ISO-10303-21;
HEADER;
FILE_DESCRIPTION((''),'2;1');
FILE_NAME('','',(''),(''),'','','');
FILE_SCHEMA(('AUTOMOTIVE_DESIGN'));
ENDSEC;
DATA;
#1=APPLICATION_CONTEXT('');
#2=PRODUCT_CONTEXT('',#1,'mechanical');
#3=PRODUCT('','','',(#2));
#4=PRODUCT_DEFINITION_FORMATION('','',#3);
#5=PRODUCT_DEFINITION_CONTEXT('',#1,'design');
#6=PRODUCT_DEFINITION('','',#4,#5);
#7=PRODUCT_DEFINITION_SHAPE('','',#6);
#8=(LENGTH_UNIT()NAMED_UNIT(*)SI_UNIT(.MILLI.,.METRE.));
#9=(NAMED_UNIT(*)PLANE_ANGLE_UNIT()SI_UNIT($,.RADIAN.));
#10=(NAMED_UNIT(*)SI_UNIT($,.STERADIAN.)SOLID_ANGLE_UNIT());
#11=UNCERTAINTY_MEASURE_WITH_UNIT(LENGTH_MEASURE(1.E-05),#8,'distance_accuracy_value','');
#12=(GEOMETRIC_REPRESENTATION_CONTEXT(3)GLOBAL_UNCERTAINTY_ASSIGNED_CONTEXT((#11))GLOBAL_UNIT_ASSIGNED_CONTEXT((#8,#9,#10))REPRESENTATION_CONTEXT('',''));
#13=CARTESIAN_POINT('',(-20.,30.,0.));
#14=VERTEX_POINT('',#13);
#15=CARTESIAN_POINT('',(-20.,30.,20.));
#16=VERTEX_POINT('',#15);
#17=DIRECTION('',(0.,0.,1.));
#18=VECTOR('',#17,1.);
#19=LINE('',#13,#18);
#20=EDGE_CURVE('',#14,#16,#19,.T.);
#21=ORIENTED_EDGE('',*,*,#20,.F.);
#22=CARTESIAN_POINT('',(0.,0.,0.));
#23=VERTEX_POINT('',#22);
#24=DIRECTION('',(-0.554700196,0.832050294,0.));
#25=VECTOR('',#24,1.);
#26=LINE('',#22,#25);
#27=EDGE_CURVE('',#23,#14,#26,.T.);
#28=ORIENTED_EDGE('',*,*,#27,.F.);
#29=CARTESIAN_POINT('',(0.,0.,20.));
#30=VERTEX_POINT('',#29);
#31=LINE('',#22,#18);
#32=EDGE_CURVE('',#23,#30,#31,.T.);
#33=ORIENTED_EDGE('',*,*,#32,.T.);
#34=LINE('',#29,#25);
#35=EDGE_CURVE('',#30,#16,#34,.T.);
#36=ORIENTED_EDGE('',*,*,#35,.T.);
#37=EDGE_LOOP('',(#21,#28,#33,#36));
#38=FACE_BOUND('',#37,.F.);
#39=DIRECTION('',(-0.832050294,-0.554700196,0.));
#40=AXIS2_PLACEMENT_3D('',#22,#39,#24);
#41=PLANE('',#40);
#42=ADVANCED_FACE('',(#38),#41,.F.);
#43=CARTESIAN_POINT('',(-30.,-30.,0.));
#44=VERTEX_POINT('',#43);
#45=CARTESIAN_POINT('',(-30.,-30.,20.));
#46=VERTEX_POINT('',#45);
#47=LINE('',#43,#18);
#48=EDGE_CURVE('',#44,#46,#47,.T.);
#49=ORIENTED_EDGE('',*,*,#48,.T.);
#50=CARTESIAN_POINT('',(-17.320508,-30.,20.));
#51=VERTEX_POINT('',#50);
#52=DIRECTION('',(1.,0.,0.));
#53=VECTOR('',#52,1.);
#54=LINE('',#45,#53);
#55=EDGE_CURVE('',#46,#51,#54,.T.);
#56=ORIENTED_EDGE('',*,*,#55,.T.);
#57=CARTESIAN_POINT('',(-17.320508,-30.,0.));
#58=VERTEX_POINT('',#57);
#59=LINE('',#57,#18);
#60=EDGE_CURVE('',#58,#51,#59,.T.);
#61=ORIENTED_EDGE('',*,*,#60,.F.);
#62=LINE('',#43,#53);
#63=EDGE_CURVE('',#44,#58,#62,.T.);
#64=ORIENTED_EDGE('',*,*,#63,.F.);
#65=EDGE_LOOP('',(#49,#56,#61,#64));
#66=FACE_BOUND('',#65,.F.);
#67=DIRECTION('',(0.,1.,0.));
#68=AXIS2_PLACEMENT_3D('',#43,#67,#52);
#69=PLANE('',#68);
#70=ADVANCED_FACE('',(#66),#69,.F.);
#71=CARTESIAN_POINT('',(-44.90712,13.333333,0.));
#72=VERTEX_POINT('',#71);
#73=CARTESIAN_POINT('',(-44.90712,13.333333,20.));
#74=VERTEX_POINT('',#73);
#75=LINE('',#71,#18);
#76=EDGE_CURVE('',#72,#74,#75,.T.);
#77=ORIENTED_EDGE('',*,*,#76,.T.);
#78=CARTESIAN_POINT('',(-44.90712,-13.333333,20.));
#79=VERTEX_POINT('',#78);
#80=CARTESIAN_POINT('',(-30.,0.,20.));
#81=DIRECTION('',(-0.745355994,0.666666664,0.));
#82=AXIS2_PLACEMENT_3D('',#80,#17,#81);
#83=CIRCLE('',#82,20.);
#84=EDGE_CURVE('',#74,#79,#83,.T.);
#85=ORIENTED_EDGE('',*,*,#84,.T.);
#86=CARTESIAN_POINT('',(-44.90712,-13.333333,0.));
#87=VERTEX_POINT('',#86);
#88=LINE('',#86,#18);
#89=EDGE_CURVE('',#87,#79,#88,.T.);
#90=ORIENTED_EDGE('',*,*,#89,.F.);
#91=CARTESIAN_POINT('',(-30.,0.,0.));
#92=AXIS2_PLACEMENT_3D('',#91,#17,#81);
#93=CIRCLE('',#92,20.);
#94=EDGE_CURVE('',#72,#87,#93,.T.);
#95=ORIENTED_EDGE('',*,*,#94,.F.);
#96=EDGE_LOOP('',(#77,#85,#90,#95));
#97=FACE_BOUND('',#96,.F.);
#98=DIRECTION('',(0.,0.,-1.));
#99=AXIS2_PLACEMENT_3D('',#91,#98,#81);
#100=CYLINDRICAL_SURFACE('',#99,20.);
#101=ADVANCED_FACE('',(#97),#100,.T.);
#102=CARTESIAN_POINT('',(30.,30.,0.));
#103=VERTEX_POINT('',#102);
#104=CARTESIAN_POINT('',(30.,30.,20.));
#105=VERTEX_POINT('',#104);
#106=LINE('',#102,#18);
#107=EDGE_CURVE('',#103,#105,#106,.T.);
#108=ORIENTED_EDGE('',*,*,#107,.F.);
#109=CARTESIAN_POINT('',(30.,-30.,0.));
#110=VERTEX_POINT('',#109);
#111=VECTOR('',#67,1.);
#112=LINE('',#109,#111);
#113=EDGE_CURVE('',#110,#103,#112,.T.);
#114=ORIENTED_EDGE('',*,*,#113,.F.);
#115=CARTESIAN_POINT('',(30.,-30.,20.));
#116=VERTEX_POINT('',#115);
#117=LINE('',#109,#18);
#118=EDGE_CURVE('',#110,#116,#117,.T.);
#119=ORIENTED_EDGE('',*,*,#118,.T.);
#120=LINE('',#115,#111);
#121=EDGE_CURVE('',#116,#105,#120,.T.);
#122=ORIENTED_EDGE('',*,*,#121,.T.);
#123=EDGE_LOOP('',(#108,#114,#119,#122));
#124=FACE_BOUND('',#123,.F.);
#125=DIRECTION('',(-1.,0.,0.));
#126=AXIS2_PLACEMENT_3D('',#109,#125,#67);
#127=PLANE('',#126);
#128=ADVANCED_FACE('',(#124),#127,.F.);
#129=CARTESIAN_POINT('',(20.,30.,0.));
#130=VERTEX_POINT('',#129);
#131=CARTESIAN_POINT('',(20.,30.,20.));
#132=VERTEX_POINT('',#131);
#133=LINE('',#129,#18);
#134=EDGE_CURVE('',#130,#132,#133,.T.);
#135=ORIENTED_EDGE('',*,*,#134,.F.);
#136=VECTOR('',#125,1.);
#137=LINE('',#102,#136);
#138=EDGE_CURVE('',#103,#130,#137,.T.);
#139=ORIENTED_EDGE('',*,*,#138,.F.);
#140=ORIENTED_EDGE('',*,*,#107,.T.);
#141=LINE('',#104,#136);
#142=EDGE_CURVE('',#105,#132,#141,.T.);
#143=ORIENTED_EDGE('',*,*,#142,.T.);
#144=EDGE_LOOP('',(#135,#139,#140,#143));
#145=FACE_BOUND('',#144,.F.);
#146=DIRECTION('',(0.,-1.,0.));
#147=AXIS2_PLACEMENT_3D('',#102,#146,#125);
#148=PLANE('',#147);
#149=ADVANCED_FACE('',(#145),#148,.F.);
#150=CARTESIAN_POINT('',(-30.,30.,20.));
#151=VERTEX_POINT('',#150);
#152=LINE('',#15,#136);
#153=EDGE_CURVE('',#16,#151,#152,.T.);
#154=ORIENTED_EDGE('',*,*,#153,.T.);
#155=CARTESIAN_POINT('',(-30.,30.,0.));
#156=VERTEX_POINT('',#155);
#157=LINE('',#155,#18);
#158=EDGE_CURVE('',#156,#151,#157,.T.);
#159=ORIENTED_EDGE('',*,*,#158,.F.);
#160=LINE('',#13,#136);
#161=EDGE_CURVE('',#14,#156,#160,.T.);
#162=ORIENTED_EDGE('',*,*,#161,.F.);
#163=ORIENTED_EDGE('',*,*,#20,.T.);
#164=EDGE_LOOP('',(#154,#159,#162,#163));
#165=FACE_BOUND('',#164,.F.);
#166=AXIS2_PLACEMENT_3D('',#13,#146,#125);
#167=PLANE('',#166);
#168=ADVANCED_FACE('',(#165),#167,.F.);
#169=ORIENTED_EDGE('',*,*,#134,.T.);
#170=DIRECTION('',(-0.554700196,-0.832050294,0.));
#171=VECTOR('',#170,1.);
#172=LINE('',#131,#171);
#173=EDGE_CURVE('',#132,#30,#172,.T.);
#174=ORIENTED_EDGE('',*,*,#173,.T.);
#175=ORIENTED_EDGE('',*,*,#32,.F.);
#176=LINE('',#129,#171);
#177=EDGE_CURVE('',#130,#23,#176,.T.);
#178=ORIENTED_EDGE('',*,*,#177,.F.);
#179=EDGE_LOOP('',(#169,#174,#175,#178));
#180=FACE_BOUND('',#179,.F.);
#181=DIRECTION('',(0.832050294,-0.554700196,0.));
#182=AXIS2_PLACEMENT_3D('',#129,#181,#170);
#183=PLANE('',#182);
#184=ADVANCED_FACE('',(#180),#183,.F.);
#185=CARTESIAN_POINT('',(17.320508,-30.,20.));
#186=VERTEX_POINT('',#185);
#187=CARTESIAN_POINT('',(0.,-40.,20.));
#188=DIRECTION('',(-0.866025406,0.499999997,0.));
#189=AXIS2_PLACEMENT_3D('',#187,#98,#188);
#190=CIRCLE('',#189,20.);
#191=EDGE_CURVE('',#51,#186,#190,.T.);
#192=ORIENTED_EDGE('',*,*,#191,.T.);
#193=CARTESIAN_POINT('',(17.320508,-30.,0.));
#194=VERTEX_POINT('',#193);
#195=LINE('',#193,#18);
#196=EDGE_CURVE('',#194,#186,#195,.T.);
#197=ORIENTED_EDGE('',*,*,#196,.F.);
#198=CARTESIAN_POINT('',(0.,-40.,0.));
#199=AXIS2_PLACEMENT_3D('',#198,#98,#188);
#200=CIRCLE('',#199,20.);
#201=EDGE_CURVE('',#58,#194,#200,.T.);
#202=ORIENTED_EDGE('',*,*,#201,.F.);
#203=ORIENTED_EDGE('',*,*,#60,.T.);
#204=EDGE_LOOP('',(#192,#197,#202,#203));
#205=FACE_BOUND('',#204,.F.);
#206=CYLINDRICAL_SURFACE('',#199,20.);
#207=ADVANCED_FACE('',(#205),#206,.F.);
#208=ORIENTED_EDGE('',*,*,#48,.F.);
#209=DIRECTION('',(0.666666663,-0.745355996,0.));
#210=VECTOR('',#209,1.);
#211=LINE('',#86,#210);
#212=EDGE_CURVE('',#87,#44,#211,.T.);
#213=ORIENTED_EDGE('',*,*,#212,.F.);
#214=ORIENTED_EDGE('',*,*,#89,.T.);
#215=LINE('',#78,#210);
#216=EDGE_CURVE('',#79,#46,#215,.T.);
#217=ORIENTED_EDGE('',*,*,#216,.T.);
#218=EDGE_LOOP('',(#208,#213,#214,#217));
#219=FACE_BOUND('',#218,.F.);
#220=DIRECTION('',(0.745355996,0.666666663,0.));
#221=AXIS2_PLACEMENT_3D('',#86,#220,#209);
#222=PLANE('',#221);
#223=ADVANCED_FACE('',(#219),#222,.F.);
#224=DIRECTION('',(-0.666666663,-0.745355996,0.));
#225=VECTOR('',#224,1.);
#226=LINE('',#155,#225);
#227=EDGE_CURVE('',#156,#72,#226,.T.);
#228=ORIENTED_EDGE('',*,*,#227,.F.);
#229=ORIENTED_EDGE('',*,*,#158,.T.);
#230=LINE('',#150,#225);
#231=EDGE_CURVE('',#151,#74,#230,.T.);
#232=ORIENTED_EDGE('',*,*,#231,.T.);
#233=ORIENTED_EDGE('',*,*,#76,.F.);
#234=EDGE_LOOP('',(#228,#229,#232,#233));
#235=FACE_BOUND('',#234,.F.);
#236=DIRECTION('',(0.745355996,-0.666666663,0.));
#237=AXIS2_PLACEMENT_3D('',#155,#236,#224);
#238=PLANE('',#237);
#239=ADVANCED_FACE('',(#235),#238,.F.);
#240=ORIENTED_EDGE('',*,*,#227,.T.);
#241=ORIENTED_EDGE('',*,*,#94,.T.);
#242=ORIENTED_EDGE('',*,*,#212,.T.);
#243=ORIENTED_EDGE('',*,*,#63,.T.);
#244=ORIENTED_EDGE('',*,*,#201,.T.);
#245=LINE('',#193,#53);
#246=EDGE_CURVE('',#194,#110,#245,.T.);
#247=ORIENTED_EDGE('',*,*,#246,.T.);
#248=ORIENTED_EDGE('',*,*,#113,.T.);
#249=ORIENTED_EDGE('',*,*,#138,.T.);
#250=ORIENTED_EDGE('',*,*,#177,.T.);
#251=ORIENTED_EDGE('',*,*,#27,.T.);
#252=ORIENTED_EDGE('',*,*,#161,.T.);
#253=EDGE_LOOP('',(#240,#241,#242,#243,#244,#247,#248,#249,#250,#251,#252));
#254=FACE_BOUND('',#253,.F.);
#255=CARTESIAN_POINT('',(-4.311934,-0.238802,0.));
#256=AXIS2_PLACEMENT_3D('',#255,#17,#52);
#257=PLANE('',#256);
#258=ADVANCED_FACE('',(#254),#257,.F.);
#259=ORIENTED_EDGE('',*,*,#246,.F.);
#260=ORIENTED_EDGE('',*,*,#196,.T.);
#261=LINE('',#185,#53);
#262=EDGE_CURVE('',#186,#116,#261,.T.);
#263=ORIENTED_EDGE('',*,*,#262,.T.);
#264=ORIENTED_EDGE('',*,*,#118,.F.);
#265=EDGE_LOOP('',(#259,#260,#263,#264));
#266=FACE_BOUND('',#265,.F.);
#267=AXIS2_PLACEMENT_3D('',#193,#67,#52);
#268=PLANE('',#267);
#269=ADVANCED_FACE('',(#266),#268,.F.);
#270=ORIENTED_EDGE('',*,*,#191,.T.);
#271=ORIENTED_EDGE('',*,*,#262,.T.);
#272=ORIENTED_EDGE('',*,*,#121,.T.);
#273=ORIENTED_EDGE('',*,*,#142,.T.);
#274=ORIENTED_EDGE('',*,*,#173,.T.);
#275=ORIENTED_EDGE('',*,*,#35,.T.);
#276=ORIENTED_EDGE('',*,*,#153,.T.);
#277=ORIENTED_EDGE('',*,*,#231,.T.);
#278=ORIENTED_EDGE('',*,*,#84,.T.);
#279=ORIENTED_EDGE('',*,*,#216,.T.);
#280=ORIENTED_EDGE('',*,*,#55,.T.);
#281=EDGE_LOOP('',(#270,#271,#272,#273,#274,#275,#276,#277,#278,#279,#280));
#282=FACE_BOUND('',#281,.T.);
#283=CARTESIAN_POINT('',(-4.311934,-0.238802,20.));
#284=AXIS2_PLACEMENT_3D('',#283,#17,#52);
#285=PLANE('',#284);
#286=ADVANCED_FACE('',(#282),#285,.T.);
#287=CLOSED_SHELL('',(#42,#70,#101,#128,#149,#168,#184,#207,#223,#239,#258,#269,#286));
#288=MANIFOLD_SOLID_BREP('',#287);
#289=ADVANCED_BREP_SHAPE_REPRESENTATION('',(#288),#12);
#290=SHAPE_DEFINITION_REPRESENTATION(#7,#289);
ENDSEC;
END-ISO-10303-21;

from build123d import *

# Parameters (mm, degrees)
F1_DEPTH = 20


with BuildPart() as f1:
    # F0 (on Top) → F1 (new body)
    with BuildSketch(Plane.XY):
        with BuildLine():
            Line((20, 30), (0, 0))
            Line((0, 0), (-20, 30))
            Line((-20, 30), (-30, 30))
            Line((-30, 30), (-44.90712, 13.333333))
            ThreePointArc((-44.90712, 13.333333), (-50, 0), (-44.90712, -13.333333))
            Line((-44.90712, -13.333333), (-30, -30))
            Line((-30, -30), (-17.320508, -30))
            ThreePointArc((-17.320508, -30), (0, -20), (17.320508, -30))
            Line((17.320508, -30), (30, -30))
            Line((30, -30), (30, 0))
            Line((30, 0), (30, 30))
            Line((30, 30), (20, 30))
        make_face()
    extrude(amount=F1_DEPTH)


solid = f1.part
